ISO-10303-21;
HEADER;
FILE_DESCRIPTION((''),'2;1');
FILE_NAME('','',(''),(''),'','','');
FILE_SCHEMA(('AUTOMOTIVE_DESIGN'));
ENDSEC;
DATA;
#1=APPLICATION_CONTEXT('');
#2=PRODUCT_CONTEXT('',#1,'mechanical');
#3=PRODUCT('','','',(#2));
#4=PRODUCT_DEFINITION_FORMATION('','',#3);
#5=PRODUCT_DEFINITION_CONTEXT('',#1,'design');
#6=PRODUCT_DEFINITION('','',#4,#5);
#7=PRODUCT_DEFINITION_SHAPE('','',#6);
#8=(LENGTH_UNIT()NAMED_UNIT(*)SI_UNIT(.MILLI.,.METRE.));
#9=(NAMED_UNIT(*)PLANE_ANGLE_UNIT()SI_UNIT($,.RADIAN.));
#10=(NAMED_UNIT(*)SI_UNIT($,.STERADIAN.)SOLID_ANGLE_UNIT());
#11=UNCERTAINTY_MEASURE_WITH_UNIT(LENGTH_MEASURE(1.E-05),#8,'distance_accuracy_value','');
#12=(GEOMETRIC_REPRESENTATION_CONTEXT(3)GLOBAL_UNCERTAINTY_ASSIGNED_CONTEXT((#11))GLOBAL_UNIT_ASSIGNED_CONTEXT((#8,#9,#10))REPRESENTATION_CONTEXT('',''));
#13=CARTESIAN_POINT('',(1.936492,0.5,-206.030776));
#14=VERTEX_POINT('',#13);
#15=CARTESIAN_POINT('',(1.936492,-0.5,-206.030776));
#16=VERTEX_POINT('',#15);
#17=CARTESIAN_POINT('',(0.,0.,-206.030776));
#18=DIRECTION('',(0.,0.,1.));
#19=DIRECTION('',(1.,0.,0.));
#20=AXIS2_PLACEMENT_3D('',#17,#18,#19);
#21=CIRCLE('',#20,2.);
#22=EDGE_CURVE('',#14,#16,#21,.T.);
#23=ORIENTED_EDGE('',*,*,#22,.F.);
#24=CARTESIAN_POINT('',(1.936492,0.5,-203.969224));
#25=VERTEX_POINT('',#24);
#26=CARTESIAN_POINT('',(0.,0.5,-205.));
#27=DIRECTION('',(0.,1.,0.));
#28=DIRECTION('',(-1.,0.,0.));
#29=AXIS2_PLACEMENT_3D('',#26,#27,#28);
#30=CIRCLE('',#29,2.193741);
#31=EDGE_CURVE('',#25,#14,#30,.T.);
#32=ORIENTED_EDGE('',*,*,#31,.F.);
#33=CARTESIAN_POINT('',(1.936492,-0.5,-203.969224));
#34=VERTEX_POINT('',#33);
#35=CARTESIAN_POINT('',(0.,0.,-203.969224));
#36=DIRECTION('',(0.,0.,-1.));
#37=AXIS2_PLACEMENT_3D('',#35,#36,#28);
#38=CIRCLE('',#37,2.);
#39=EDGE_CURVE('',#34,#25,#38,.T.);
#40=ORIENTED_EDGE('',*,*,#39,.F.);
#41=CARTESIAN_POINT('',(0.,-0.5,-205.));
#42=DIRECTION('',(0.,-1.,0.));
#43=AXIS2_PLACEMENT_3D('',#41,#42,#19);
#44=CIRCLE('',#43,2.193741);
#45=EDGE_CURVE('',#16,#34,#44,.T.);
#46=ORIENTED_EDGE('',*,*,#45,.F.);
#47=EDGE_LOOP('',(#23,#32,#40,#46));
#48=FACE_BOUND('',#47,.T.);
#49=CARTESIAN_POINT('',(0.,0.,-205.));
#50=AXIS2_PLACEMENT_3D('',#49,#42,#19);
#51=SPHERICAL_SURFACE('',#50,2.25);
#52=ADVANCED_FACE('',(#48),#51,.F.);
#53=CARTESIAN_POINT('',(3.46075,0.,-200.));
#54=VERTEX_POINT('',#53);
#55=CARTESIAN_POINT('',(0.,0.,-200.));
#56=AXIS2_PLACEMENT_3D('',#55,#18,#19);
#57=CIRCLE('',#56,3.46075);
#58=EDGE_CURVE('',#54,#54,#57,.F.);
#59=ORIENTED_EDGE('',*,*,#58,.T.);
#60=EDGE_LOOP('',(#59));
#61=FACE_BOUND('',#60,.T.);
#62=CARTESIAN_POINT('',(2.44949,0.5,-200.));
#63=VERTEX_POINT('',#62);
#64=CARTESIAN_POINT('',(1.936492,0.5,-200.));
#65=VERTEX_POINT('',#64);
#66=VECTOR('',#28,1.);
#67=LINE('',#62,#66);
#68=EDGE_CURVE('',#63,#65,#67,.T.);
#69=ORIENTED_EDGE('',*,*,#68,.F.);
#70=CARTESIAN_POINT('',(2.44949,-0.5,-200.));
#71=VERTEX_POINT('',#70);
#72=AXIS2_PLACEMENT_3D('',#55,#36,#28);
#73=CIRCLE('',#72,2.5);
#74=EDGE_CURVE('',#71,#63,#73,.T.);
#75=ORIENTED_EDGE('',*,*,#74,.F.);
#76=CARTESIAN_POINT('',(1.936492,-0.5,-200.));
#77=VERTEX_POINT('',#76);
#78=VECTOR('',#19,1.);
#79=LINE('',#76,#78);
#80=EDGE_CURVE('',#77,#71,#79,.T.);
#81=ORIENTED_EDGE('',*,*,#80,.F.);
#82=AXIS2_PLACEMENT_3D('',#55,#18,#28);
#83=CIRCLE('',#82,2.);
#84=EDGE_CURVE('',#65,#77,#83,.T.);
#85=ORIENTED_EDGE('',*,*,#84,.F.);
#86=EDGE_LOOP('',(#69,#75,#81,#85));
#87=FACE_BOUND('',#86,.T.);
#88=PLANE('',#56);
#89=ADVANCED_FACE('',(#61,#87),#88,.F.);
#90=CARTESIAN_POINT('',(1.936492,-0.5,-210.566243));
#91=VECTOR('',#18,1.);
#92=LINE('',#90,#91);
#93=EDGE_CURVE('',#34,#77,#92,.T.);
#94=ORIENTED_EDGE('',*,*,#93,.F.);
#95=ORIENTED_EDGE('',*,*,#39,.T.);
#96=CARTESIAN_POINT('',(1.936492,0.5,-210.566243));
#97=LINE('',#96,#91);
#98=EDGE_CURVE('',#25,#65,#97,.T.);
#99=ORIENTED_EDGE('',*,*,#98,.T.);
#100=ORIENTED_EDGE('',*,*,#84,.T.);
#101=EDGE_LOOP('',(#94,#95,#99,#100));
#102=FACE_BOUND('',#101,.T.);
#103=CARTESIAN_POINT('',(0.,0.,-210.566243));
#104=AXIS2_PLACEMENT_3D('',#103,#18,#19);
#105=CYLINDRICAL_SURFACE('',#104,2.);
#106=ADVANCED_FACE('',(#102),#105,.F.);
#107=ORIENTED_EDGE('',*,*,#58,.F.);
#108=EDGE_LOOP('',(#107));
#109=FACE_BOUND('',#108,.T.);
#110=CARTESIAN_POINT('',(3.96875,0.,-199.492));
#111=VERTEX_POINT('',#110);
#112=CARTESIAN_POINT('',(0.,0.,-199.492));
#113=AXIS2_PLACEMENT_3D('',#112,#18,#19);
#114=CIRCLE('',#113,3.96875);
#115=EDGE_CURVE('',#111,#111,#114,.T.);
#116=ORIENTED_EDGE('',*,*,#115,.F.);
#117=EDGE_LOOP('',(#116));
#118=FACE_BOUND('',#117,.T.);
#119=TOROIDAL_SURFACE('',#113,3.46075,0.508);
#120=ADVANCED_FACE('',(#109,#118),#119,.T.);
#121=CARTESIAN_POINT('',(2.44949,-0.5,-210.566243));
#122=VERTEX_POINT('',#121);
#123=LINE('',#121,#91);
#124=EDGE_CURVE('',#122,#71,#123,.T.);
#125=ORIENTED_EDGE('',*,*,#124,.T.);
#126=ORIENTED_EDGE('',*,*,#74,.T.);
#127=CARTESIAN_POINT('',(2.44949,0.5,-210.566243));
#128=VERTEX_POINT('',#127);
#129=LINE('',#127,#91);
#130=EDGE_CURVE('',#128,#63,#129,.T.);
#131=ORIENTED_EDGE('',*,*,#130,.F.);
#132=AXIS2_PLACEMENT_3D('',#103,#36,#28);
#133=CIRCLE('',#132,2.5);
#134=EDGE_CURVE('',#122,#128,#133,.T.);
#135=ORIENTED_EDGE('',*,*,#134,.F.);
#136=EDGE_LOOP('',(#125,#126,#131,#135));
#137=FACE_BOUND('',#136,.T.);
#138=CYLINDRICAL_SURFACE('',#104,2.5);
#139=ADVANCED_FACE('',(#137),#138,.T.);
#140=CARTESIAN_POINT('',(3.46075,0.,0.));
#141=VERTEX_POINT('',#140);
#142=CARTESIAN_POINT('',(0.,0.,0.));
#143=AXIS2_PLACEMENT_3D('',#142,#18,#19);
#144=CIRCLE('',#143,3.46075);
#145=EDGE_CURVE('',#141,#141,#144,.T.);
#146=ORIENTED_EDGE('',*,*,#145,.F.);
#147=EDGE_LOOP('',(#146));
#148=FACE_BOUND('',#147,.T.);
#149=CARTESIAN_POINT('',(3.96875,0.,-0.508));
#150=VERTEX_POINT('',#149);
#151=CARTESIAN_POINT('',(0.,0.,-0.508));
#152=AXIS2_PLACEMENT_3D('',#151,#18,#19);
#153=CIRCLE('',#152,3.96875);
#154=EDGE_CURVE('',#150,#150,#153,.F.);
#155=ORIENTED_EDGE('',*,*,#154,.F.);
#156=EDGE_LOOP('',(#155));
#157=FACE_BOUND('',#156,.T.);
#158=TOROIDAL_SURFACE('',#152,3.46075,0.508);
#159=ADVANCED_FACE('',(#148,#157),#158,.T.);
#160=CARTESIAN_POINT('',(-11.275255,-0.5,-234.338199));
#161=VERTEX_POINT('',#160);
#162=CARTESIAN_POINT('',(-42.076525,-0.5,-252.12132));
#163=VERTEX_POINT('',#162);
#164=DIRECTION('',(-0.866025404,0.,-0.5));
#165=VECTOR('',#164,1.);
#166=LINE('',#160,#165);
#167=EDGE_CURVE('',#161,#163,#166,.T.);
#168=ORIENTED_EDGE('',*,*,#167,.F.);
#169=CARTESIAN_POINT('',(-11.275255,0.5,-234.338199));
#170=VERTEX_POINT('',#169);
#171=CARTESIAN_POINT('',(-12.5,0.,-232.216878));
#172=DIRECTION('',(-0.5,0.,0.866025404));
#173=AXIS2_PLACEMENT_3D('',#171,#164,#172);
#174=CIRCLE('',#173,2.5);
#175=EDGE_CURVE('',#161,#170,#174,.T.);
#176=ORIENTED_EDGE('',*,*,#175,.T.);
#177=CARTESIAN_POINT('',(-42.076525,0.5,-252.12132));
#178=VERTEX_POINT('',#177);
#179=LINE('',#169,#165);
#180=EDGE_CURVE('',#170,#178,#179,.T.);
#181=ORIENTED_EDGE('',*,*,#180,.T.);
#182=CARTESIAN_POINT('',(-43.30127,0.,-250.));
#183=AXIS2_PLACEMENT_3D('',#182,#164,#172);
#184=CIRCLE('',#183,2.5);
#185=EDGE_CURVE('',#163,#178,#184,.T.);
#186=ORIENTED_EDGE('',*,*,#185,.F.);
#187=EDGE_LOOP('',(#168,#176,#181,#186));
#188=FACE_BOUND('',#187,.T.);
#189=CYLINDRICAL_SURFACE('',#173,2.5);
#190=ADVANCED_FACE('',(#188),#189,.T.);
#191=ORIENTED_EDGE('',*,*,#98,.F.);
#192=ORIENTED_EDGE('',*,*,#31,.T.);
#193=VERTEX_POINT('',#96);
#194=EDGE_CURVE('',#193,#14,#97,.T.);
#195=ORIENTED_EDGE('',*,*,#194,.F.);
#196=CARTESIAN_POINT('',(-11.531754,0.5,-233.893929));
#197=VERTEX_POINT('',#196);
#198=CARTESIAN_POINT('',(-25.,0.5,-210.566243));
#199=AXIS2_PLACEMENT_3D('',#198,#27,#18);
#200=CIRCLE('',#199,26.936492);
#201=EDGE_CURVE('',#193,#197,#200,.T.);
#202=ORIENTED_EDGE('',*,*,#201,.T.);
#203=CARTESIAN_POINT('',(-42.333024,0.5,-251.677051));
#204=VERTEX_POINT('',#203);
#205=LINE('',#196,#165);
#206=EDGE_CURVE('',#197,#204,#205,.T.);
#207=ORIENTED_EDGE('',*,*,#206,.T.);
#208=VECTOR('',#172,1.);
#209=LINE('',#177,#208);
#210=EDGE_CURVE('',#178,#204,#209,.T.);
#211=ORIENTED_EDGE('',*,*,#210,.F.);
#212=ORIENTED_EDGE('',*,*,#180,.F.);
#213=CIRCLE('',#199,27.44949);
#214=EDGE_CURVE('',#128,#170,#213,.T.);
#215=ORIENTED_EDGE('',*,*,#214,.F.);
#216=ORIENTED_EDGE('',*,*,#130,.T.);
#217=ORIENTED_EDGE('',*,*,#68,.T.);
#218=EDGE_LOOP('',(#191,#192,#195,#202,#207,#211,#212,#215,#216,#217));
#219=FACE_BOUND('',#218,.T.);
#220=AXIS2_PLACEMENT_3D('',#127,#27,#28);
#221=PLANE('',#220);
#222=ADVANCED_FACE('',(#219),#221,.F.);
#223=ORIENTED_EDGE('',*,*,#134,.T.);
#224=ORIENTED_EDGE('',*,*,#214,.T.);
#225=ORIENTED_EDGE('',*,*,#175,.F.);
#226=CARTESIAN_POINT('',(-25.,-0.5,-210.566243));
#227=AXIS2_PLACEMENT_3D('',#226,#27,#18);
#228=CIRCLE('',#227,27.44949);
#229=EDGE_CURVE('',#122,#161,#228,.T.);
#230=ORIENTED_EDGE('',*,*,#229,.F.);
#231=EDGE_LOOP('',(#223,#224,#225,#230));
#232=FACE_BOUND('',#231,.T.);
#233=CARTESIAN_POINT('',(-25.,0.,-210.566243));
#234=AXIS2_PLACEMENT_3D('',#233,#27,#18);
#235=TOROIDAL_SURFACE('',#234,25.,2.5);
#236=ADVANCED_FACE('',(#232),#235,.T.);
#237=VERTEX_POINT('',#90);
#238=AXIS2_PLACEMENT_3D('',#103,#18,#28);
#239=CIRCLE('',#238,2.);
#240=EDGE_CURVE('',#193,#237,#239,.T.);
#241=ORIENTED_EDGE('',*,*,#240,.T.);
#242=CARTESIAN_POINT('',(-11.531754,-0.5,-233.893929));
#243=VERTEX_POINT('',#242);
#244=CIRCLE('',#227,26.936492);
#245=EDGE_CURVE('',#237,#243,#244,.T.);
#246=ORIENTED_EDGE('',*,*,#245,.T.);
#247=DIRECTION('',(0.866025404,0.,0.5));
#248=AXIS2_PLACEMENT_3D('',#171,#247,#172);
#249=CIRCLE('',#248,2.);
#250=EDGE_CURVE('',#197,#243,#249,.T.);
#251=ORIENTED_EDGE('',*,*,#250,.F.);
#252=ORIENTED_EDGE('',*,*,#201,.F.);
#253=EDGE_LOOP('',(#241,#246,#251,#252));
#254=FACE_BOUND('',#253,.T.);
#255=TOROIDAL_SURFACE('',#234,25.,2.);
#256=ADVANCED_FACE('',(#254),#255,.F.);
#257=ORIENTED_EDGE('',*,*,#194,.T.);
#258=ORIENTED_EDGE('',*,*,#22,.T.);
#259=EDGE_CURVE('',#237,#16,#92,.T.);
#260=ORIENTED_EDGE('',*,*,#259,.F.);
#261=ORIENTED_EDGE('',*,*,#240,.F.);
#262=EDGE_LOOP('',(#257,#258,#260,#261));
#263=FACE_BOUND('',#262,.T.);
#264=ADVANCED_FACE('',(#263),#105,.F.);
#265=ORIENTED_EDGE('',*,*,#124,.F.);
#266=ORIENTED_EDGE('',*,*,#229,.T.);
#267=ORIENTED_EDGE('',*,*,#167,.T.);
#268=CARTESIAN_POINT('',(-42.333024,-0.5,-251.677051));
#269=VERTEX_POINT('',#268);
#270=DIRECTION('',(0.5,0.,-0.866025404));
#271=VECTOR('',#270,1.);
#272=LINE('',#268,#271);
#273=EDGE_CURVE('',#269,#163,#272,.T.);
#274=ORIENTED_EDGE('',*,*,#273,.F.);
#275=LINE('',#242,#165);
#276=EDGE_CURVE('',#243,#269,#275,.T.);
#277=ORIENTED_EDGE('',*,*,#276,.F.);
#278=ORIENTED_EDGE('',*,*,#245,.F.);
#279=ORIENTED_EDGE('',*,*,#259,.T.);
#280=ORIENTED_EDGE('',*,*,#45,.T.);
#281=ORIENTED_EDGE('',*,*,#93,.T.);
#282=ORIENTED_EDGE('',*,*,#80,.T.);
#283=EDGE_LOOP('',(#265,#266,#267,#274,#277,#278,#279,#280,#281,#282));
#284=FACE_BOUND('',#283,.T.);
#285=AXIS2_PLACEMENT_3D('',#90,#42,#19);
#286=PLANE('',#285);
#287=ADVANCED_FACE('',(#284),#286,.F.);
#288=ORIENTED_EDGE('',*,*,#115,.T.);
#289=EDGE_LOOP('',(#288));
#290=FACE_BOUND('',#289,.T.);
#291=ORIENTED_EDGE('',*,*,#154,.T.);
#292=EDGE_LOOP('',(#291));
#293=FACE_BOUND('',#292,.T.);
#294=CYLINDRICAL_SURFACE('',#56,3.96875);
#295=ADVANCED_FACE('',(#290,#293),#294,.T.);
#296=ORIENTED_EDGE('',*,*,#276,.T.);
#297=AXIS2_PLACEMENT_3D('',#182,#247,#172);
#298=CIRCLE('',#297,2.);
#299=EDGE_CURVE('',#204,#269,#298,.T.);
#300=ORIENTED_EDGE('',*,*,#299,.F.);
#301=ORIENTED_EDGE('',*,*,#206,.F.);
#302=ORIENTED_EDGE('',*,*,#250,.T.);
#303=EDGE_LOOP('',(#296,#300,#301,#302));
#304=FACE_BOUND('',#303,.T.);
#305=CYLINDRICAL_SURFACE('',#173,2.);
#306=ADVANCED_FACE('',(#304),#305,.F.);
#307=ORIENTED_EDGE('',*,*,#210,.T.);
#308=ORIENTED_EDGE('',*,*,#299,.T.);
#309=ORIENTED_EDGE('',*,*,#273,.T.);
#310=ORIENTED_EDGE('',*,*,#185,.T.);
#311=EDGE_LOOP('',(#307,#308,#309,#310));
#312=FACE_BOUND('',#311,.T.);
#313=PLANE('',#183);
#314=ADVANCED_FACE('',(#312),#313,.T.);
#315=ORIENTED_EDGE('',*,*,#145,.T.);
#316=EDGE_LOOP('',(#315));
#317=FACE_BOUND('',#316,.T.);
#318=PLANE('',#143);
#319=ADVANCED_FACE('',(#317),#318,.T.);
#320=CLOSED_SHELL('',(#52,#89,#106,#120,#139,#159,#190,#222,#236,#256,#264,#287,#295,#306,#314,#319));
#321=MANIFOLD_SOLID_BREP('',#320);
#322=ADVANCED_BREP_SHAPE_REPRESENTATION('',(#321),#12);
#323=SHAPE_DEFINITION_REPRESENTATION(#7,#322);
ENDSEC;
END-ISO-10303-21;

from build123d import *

# Parameters (mm, degrees)
SKETCH1_R      = 3.96875
EXTRUDE1_DEPTH = 200
FILLET1_R      = 0.508


with BuildPart() as part:
    # Sketch1 → Extrude1 (new body)
    with BuildSketch(Plane.XY):
        Circle(SKETCH1_R)
    extrude(amount=-EXTRUDE1_DEPTH)

    # Fillet1
    fillet1_edges = [part.edges().sort_by_distance(p)[0] for p in [
        (-3.96875, 0, 0),
        (-3.96875, 0, -200),
    ]]
    fillet(fillet1_edges, radius=FILLET1_R)

    # Sweep1: sweep along a path in Sketch2
    with BuildLine(Plane(origin=(0, 0, 0), x_dir=(1, 0, 0), z_dir=(0, 1, 0))) as sweep1_path:
        Line((0, 200), (0, 210.56624327))
        ThreePointArc((0, 210.56624327), (-3.349364905, 223.06624327), (-12.5, 232.216878365))
        Line((-12.5, 232.216878365), (-43.301270189, 250))
    # Sketch3 → Sweep1 (sweep)
    with BuildSketch(Plane(origin=(0, 0, -200), x_dir=(-1, 0, 0), z_dir=(0, 0, -1))):
        with BuildLine():
            Line((-2.449489743, 0.5), (-1.936491673, 0.5))
            ThreePointArc((-1.936491673, 0.5), (2, 0), (-1.936491673, -0.5))
            Line((-1.936491673, -0.5), (-2.449489743, -0.5))
            ThreePointArc((-2.449489743, -0.5), (2.5, 0), (-2.449489743, 0.5))
        make_face()
    sweep(path=sweep1_path.line)

    # Sketch4 → Cut-Revolve3 (revolve, cut)
    with BuildSketch(Plane(origin=(0, 0, -205), x_dir=(-1, 0, 0), z_dir=(0, 0, -1))):
        with BuildLine():
            Line((0, 2.25), (0, -2.25))
            ThreePointArc((0, -2.25), (2.25, 0), (0, 2.25))
        make_face()
    revolve(axis=Axis((0, 0, -205), (0, 1, 0)), mode=Mode.SUBTRACT)


solid = part.part
